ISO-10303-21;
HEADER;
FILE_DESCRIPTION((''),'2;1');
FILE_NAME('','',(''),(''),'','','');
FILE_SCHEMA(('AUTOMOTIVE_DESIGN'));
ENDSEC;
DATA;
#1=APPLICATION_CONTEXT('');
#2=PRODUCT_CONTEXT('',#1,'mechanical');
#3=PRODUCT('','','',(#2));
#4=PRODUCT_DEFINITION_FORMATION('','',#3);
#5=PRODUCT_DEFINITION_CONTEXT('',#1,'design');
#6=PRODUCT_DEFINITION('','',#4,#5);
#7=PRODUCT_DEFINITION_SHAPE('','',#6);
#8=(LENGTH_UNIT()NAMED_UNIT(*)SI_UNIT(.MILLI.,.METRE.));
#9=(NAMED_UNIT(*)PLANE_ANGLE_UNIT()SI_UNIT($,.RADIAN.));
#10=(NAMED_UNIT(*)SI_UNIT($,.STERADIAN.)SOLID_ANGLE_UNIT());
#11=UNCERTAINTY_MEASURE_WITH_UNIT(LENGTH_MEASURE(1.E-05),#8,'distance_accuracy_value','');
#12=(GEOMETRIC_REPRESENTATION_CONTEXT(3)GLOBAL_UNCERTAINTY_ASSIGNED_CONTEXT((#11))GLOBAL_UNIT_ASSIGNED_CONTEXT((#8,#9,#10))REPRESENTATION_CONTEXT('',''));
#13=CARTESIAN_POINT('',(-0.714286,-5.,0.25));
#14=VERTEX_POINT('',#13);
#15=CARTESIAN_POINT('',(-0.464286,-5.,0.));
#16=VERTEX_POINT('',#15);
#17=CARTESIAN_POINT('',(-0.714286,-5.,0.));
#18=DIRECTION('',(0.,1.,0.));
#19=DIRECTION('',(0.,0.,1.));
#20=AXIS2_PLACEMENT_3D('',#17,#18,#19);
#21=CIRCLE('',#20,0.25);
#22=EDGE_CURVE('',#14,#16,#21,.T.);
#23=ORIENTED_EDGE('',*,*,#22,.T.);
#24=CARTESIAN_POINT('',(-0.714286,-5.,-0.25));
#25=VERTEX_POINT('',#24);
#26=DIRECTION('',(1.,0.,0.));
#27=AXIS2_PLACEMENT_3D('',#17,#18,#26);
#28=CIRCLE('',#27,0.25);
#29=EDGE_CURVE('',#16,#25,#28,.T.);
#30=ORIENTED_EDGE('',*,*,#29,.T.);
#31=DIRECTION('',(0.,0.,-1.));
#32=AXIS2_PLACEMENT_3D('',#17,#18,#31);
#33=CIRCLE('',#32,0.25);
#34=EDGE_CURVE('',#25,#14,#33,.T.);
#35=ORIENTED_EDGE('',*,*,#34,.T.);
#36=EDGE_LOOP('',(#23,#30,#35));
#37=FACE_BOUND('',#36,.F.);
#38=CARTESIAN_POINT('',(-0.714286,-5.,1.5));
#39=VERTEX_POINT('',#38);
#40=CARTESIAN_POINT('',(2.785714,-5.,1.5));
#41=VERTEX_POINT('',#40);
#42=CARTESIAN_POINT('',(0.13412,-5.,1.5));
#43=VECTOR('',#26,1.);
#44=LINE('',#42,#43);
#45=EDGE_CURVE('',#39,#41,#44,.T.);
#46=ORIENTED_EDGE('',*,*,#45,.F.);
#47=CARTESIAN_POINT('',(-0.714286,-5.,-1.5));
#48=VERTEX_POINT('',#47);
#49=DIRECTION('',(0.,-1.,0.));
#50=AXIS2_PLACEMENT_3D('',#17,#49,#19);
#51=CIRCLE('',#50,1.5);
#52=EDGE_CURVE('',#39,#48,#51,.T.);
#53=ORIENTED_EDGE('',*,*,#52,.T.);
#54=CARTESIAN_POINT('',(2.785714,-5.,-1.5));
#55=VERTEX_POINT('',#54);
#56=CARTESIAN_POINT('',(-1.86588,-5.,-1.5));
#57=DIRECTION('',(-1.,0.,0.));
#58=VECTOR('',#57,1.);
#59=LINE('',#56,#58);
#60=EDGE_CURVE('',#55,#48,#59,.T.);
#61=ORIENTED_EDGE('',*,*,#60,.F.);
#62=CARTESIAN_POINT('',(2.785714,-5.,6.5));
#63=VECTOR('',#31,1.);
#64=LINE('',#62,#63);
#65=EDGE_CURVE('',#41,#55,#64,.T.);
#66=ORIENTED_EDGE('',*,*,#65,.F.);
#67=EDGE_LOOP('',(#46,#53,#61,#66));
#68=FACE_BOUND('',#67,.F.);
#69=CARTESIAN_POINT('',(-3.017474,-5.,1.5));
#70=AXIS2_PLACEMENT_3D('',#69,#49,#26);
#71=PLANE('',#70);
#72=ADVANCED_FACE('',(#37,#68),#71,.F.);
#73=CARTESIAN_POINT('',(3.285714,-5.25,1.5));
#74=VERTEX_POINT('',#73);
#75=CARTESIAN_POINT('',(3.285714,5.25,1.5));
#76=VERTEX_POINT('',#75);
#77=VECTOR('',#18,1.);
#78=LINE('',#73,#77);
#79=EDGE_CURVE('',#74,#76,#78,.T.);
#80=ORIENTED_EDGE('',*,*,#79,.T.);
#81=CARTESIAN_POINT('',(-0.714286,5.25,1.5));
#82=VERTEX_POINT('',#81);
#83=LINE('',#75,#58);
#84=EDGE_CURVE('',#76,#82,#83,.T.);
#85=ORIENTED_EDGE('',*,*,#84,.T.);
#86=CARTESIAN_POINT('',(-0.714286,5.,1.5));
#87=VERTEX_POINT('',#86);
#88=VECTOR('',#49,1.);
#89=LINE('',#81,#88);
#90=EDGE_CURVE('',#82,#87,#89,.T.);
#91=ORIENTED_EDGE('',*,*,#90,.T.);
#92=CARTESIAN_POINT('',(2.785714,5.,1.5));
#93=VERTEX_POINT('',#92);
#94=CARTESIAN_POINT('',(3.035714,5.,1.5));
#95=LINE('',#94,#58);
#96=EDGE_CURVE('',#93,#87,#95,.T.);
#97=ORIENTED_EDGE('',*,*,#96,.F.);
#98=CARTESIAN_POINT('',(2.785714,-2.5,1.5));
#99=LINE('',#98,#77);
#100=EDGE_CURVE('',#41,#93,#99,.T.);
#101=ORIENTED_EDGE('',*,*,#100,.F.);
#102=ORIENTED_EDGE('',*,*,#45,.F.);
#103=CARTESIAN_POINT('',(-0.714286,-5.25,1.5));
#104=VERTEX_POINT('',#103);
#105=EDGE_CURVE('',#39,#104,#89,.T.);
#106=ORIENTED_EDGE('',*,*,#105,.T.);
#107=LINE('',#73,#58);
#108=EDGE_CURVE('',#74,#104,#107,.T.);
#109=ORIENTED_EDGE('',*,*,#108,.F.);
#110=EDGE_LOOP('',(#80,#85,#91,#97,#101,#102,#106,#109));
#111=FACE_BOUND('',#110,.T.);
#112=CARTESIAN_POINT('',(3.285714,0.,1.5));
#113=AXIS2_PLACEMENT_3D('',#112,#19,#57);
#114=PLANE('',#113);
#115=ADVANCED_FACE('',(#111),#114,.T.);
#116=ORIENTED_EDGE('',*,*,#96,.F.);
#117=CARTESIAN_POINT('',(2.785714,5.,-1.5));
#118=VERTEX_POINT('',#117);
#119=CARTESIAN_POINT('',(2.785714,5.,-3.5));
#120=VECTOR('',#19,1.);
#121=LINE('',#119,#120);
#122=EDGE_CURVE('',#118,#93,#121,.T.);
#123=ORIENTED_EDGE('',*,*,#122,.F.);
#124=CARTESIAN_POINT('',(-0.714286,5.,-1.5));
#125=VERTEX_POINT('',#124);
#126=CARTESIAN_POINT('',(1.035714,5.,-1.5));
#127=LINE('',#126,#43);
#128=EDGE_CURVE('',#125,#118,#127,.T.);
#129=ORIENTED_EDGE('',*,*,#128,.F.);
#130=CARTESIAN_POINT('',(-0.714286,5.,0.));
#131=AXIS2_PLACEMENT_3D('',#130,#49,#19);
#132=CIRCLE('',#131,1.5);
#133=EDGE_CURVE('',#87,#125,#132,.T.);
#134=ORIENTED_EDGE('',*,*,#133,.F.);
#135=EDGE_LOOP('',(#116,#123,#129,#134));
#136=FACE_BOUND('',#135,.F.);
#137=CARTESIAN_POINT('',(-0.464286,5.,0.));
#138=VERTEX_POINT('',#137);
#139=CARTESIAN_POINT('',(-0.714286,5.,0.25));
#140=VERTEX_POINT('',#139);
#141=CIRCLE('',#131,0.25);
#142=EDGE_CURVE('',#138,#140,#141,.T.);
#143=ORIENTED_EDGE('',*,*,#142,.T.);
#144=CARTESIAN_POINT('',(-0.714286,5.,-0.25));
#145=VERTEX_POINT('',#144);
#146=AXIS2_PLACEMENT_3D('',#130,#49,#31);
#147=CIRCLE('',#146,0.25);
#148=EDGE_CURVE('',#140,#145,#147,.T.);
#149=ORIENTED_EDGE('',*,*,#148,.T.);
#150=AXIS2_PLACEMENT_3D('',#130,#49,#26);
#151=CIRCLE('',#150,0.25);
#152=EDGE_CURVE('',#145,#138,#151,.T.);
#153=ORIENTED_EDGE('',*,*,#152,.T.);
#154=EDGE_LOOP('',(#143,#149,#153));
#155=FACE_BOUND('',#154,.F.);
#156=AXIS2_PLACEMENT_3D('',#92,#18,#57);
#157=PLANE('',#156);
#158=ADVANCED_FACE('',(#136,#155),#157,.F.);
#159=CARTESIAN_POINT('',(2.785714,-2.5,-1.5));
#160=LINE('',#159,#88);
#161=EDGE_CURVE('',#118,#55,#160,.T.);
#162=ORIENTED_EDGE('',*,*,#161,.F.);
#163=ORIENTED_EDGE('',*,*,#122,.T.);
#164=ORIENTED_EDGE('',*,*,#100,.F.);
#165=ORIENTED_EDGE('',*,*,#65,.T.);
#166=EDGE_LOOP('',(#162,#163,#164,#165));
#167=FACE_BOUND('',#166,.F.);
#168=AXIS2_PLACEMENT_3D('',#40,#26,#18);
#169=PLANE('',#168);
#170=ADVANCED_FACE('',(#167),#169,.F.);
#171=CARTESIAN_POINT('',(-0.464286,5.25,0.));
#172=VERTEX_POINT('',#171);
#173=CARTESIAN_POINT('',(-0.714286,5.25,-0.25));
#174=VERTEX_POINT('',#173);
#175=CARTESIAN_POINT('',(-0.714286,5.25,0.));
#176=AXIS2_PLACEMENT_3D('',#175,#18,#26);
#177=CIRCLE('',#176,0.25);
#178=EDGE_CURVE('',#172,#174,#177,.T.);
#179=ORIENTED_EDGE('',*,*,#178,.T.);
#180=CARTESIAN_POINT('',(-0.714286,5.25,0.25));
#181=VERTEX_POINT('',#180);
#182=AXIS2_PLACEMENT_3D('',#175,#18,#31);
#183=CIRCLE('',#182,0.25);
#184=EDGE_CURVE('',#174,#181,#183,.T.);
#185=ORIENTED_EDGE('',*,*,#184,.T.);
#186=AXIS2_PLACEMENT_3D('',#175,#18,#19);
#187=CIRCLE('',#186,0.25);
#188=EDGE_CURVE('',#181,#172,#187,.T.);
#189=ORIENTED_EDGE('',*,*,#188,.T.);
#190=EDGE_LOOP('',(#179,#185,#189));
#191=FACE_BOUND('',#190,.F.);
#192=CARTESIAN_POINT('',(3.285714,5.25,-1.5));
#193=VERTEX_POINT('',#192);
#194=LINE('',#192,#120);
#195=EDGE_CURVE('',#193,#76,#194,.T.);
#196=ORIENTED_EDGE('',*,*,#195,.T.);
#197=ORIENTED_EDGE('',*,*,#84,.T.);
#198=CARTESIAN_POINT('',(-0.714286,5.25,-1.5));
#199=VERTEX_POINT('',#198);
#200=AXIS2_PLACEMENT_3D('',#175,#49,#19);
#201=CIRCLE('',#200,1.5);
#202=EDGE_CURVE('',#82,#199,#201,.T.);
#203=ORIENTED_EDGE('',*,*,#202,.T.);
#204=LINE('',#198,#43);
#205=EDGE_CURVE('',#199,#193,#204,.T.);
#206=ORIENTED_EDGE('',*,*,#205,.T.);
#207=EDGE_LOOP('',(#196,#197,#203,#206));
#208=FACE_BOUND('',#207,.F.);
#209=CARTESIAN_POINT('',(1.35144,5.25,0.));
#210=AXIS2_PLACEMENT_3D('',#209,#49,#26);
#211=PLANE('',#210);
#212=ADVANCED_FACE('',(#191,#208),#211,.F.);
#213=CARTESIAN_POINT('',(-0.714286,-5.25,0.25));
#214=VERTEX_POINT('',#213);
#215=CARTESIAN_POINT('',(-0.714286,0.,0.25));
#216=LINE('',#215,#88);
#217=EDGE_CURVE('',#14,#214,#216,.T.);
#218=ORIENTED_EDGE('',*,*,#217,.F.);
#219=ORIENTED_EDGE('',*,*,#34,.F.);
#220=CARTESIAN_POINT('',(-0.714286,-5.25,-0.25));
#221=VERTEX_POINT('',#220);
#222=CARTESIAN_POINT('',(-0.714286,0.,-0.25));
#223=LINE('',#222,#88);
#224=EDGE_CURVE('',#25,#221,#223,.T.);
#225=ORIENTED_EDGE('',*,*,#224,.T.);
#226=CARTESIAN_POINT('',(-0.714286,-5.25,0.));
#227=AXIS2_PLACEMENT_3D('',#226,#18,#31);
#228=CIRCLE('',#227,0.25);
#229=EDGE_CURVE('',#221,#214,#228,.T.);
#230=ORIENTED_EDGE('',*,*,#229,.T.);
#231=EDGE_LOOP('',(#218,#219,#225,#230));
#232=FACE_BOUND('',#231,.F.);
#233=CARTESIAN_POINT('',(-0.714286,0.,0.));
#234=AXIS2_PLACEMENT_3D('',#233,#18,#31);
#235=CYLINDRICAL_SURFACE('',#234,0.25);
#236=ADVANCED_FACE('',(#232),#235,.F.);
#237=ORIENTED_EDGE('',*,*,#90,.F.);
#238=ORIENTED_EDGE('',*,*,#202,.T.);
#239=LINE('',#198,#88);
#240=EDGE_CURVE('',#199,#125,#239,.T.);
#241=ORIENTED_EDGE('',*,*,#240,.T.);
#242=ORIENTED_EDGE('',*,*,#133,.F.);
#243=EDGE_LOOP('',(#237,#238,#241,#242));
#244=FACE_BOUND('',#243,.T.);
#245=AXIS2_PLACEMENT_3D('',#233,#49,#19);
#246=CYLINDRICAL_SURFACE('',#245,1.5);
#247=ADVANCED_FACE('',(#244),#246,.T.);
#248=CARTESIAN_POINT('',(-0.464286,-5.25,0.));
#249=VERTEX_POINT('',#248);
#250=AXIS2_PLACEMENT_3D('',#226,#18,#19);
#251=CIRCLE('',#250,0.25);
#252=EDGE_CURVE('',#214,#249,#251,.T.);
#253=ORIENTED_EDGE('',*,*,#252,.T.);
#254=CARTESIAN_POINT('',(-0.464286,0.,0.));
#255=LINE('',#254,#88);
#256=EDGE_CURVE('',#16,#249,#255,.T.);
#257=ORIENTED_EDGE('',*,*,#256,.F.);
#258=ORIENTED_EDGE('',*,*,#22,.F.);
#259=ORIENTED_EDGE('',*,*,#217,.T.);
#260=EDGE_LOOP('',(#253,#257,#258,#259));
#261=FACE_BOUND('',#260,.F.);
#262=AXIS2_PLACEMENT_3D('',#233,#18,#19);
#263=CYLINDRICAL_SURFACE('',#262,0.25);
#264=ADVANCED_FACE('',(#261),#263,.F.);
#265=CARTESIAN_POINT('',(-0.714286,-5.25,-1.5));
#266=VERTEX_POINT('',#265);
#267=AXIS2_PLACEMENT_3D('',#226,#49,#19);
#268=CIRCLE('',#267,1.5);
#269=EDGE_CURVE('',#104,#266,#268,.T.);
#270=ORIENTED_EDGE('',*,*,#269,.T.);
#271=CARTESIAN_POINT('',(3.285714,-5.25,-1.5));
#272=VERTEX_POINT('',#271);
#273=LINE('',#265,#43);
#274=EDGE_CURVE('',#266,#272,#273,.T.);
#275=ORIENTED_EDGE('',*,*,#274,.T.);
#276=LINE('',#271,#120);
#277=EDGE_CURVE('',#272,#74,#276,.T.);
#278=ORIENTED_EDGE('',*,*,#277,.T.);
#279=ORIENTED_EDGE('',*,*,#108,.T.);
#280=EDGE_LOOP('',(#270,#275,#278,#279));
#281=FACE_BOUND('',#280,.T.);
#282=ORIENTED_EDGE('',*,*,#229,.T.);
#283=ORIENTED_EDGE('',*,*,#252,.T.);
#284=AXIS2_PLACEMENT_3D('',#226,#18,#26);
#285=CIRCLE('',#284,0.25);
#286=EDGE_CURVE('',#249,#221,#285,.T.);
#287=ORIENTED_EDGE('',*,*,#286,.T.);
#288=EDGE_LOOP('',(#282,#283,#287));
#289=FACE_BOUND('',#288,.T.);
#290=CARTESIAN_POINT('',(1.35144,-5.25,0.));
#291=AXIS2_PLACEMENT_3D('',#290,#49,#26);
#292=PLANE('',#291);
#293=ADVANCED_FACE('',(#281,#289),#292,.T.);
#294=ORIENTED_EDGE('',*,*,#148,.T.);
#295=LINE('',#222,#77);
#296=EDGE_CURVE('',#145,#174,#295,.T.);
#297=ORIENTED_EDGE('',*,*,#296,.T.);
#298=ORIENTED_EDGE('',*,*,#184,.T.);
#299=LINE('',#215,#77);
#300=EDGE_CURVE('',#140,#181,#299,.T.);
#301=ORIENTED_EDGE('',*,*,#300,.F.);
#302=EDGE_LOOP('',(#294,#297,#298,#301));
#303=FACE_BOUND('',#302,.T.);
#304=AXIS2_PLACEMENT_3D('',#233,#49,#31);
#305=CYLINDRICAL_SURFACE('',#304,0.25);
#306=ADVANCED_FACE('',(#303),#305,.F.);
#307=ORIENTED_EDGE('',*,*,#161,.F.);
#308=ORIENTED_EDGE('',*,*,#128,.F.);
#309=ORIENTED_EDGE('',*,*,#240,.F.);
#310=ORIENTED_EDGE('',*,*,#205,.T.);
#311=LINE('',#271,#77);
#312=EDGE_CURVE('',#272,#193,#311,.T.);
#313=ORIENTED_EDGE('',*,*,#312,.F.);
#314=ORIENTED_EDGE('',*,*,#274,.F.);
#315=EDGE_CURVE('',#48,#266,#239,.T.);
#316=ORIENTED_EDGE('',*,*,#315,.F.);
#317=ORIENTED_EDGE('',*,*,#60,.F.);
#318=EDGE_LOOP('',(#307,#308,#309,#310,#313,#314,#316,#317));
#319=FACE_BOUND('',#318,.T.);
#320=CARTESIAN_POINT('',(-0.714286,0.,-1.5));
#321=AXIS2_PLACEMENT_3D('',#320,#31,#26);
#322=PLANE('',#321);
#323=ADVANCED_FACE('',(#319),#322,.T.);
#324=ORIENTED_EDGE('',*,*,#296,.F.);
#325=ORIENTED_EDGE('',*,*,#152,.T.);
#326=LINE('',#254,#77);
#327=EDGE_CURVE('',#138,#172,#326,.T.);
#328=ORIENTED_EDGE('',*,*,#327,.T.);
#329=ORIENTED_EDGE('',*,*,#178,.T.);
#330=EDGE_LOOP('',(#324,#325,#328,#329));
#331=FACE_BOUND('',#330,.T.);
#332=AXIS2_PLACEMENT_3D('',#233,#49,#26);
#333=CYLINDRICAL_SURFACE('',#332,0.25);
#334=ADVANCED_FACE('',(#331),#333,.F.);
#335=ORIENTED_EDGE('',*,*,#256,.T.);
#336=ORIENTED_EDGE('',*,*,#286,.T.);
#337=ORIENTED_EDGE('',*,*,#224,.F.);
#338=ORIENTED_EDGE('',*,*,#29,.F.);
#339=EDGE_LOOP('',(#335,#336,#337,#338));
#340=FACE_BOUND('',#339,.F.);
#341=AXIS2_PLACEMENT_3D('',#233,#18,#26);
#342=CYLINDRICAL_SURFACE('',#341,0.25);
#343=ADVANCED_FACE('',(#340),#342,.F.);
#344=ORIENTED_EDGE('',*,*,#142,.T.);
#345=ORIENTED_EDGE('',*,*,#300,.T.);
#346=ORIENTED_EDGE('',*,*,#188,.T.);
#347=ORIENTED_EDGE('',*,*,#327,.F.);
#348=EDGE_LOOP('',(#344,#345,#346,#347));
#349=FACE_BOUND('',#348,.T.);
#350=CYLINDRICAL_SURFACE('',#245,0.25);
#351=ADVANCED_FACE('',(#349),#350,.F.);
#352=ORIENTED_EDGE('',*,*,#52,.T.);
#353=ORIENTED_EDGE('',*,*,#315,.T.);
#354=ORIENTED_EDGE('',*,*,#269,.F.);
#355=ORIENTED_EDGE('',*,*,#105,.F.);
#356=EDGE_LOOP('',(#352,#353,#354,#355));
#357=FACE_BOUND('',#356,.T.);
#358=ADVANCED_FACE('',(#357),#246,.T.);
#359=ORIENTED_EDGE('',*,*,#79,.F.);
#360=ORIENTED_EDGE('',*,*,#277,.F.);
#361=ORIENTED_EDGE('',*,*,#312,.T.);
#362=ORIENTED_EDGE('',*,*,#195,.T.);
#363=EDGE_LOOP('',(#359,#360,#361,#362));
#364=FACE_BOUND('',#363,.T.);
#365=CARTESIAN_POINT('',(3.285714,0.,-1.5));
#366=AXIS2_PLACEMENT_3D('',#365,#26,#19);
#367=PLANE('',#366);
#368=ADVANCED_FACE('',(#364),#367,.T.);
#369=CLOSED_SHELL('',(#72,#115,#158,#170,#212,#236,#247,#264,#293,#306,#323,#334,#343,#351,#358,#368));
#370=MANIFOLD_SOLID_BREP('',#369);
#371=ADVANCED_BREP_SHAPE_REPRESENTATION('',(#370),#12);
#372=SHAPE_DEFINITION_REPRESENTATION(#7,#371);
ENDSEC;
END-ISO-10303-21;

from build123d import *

# Parameters (mm, degrees)
F1_DEPTH = 5.25
F2_W     = 3.5
F2_H     = 10
F2_W_2   = 2.3031880188
F3_DEPTH = 5


with BuildPart() as f1:
    # F0 (on Front) → F1 (new body, symmetric)
    with BuildSketch(Plane.XZ):
        with BuildLine():
            Line((3.2857142857, 1.5), (-0.7142857143, 1.5))
            ThreePointArc((-0.7142857143, 1.5), (0.3463744575, 1.0606601718), (0.7857142857, 0))
            ThreePointArc((0.7857142857, 0), (0.3463744575, -1.0606601718), (-0.7142857143, -1.5))
            Line((-0.7142857143, -1.5), (3.2857142857, -1.5))
            Line((3.2857142857, -1.5), (3.2857142857, 1.5))
        make_face()
        with BuildLine():
            ThreePointArc((0.7857142857, 0), (0.3463744575, 1.0606601718), (-0.7142857143, 1.5))
            Line((-0.7142857143, 1.5), (-0.7142857143, 0.25))
            ThreePointArc((-0.7142857143, 0.25), (-0.537509019, 0.1767766953), (-0.4642857143, 0))
            ThreePointArc((-0.4642857143, 0), (-0.537509019, -0.1767766953), (-0.7142857143, -0.25))
            Line((-0.7142857143, -0.25), (-0.7142857143, -1.5))
            ThreePointArc((-0.7142857143, -1.5), (0.3463744575, -1.0606601718), (0.7857142857, 0))
        make_face()
        with BuildLine():
            Line((-0.7142857143, 0.25), (-0.7142857143, 1.5))
            ThreePointArc((-0.7142857143, 1.5), (-2.2142857143, 0), (-0.7142857143, -1.5))
            Line((-0.7142857143, -1.5), (-0.7142857143, -0.25))
            ThreePointArc((-0.7142857143, -0.25), (-0.9642857143, 0), (-0.7142857143, 0.25))
        make_face()
    extrude(amount=F1_DEPTH, both=True)

    # F2 (on face) → F3 (cut, symmetric)
    with BuildSketch(Plane.XY.offset(1.5)):
        with Locations((1.0357142857, 0)):
            Rectangle(F2_W, F2_H)
        with Locations((-1.8658797237, 0)):
            Rectangle(F2_W_2, F2_H)
    extrude(amount=F3_DEPTH, both=True, mode=Mode.SUBTRACT)


solid = f1.part
